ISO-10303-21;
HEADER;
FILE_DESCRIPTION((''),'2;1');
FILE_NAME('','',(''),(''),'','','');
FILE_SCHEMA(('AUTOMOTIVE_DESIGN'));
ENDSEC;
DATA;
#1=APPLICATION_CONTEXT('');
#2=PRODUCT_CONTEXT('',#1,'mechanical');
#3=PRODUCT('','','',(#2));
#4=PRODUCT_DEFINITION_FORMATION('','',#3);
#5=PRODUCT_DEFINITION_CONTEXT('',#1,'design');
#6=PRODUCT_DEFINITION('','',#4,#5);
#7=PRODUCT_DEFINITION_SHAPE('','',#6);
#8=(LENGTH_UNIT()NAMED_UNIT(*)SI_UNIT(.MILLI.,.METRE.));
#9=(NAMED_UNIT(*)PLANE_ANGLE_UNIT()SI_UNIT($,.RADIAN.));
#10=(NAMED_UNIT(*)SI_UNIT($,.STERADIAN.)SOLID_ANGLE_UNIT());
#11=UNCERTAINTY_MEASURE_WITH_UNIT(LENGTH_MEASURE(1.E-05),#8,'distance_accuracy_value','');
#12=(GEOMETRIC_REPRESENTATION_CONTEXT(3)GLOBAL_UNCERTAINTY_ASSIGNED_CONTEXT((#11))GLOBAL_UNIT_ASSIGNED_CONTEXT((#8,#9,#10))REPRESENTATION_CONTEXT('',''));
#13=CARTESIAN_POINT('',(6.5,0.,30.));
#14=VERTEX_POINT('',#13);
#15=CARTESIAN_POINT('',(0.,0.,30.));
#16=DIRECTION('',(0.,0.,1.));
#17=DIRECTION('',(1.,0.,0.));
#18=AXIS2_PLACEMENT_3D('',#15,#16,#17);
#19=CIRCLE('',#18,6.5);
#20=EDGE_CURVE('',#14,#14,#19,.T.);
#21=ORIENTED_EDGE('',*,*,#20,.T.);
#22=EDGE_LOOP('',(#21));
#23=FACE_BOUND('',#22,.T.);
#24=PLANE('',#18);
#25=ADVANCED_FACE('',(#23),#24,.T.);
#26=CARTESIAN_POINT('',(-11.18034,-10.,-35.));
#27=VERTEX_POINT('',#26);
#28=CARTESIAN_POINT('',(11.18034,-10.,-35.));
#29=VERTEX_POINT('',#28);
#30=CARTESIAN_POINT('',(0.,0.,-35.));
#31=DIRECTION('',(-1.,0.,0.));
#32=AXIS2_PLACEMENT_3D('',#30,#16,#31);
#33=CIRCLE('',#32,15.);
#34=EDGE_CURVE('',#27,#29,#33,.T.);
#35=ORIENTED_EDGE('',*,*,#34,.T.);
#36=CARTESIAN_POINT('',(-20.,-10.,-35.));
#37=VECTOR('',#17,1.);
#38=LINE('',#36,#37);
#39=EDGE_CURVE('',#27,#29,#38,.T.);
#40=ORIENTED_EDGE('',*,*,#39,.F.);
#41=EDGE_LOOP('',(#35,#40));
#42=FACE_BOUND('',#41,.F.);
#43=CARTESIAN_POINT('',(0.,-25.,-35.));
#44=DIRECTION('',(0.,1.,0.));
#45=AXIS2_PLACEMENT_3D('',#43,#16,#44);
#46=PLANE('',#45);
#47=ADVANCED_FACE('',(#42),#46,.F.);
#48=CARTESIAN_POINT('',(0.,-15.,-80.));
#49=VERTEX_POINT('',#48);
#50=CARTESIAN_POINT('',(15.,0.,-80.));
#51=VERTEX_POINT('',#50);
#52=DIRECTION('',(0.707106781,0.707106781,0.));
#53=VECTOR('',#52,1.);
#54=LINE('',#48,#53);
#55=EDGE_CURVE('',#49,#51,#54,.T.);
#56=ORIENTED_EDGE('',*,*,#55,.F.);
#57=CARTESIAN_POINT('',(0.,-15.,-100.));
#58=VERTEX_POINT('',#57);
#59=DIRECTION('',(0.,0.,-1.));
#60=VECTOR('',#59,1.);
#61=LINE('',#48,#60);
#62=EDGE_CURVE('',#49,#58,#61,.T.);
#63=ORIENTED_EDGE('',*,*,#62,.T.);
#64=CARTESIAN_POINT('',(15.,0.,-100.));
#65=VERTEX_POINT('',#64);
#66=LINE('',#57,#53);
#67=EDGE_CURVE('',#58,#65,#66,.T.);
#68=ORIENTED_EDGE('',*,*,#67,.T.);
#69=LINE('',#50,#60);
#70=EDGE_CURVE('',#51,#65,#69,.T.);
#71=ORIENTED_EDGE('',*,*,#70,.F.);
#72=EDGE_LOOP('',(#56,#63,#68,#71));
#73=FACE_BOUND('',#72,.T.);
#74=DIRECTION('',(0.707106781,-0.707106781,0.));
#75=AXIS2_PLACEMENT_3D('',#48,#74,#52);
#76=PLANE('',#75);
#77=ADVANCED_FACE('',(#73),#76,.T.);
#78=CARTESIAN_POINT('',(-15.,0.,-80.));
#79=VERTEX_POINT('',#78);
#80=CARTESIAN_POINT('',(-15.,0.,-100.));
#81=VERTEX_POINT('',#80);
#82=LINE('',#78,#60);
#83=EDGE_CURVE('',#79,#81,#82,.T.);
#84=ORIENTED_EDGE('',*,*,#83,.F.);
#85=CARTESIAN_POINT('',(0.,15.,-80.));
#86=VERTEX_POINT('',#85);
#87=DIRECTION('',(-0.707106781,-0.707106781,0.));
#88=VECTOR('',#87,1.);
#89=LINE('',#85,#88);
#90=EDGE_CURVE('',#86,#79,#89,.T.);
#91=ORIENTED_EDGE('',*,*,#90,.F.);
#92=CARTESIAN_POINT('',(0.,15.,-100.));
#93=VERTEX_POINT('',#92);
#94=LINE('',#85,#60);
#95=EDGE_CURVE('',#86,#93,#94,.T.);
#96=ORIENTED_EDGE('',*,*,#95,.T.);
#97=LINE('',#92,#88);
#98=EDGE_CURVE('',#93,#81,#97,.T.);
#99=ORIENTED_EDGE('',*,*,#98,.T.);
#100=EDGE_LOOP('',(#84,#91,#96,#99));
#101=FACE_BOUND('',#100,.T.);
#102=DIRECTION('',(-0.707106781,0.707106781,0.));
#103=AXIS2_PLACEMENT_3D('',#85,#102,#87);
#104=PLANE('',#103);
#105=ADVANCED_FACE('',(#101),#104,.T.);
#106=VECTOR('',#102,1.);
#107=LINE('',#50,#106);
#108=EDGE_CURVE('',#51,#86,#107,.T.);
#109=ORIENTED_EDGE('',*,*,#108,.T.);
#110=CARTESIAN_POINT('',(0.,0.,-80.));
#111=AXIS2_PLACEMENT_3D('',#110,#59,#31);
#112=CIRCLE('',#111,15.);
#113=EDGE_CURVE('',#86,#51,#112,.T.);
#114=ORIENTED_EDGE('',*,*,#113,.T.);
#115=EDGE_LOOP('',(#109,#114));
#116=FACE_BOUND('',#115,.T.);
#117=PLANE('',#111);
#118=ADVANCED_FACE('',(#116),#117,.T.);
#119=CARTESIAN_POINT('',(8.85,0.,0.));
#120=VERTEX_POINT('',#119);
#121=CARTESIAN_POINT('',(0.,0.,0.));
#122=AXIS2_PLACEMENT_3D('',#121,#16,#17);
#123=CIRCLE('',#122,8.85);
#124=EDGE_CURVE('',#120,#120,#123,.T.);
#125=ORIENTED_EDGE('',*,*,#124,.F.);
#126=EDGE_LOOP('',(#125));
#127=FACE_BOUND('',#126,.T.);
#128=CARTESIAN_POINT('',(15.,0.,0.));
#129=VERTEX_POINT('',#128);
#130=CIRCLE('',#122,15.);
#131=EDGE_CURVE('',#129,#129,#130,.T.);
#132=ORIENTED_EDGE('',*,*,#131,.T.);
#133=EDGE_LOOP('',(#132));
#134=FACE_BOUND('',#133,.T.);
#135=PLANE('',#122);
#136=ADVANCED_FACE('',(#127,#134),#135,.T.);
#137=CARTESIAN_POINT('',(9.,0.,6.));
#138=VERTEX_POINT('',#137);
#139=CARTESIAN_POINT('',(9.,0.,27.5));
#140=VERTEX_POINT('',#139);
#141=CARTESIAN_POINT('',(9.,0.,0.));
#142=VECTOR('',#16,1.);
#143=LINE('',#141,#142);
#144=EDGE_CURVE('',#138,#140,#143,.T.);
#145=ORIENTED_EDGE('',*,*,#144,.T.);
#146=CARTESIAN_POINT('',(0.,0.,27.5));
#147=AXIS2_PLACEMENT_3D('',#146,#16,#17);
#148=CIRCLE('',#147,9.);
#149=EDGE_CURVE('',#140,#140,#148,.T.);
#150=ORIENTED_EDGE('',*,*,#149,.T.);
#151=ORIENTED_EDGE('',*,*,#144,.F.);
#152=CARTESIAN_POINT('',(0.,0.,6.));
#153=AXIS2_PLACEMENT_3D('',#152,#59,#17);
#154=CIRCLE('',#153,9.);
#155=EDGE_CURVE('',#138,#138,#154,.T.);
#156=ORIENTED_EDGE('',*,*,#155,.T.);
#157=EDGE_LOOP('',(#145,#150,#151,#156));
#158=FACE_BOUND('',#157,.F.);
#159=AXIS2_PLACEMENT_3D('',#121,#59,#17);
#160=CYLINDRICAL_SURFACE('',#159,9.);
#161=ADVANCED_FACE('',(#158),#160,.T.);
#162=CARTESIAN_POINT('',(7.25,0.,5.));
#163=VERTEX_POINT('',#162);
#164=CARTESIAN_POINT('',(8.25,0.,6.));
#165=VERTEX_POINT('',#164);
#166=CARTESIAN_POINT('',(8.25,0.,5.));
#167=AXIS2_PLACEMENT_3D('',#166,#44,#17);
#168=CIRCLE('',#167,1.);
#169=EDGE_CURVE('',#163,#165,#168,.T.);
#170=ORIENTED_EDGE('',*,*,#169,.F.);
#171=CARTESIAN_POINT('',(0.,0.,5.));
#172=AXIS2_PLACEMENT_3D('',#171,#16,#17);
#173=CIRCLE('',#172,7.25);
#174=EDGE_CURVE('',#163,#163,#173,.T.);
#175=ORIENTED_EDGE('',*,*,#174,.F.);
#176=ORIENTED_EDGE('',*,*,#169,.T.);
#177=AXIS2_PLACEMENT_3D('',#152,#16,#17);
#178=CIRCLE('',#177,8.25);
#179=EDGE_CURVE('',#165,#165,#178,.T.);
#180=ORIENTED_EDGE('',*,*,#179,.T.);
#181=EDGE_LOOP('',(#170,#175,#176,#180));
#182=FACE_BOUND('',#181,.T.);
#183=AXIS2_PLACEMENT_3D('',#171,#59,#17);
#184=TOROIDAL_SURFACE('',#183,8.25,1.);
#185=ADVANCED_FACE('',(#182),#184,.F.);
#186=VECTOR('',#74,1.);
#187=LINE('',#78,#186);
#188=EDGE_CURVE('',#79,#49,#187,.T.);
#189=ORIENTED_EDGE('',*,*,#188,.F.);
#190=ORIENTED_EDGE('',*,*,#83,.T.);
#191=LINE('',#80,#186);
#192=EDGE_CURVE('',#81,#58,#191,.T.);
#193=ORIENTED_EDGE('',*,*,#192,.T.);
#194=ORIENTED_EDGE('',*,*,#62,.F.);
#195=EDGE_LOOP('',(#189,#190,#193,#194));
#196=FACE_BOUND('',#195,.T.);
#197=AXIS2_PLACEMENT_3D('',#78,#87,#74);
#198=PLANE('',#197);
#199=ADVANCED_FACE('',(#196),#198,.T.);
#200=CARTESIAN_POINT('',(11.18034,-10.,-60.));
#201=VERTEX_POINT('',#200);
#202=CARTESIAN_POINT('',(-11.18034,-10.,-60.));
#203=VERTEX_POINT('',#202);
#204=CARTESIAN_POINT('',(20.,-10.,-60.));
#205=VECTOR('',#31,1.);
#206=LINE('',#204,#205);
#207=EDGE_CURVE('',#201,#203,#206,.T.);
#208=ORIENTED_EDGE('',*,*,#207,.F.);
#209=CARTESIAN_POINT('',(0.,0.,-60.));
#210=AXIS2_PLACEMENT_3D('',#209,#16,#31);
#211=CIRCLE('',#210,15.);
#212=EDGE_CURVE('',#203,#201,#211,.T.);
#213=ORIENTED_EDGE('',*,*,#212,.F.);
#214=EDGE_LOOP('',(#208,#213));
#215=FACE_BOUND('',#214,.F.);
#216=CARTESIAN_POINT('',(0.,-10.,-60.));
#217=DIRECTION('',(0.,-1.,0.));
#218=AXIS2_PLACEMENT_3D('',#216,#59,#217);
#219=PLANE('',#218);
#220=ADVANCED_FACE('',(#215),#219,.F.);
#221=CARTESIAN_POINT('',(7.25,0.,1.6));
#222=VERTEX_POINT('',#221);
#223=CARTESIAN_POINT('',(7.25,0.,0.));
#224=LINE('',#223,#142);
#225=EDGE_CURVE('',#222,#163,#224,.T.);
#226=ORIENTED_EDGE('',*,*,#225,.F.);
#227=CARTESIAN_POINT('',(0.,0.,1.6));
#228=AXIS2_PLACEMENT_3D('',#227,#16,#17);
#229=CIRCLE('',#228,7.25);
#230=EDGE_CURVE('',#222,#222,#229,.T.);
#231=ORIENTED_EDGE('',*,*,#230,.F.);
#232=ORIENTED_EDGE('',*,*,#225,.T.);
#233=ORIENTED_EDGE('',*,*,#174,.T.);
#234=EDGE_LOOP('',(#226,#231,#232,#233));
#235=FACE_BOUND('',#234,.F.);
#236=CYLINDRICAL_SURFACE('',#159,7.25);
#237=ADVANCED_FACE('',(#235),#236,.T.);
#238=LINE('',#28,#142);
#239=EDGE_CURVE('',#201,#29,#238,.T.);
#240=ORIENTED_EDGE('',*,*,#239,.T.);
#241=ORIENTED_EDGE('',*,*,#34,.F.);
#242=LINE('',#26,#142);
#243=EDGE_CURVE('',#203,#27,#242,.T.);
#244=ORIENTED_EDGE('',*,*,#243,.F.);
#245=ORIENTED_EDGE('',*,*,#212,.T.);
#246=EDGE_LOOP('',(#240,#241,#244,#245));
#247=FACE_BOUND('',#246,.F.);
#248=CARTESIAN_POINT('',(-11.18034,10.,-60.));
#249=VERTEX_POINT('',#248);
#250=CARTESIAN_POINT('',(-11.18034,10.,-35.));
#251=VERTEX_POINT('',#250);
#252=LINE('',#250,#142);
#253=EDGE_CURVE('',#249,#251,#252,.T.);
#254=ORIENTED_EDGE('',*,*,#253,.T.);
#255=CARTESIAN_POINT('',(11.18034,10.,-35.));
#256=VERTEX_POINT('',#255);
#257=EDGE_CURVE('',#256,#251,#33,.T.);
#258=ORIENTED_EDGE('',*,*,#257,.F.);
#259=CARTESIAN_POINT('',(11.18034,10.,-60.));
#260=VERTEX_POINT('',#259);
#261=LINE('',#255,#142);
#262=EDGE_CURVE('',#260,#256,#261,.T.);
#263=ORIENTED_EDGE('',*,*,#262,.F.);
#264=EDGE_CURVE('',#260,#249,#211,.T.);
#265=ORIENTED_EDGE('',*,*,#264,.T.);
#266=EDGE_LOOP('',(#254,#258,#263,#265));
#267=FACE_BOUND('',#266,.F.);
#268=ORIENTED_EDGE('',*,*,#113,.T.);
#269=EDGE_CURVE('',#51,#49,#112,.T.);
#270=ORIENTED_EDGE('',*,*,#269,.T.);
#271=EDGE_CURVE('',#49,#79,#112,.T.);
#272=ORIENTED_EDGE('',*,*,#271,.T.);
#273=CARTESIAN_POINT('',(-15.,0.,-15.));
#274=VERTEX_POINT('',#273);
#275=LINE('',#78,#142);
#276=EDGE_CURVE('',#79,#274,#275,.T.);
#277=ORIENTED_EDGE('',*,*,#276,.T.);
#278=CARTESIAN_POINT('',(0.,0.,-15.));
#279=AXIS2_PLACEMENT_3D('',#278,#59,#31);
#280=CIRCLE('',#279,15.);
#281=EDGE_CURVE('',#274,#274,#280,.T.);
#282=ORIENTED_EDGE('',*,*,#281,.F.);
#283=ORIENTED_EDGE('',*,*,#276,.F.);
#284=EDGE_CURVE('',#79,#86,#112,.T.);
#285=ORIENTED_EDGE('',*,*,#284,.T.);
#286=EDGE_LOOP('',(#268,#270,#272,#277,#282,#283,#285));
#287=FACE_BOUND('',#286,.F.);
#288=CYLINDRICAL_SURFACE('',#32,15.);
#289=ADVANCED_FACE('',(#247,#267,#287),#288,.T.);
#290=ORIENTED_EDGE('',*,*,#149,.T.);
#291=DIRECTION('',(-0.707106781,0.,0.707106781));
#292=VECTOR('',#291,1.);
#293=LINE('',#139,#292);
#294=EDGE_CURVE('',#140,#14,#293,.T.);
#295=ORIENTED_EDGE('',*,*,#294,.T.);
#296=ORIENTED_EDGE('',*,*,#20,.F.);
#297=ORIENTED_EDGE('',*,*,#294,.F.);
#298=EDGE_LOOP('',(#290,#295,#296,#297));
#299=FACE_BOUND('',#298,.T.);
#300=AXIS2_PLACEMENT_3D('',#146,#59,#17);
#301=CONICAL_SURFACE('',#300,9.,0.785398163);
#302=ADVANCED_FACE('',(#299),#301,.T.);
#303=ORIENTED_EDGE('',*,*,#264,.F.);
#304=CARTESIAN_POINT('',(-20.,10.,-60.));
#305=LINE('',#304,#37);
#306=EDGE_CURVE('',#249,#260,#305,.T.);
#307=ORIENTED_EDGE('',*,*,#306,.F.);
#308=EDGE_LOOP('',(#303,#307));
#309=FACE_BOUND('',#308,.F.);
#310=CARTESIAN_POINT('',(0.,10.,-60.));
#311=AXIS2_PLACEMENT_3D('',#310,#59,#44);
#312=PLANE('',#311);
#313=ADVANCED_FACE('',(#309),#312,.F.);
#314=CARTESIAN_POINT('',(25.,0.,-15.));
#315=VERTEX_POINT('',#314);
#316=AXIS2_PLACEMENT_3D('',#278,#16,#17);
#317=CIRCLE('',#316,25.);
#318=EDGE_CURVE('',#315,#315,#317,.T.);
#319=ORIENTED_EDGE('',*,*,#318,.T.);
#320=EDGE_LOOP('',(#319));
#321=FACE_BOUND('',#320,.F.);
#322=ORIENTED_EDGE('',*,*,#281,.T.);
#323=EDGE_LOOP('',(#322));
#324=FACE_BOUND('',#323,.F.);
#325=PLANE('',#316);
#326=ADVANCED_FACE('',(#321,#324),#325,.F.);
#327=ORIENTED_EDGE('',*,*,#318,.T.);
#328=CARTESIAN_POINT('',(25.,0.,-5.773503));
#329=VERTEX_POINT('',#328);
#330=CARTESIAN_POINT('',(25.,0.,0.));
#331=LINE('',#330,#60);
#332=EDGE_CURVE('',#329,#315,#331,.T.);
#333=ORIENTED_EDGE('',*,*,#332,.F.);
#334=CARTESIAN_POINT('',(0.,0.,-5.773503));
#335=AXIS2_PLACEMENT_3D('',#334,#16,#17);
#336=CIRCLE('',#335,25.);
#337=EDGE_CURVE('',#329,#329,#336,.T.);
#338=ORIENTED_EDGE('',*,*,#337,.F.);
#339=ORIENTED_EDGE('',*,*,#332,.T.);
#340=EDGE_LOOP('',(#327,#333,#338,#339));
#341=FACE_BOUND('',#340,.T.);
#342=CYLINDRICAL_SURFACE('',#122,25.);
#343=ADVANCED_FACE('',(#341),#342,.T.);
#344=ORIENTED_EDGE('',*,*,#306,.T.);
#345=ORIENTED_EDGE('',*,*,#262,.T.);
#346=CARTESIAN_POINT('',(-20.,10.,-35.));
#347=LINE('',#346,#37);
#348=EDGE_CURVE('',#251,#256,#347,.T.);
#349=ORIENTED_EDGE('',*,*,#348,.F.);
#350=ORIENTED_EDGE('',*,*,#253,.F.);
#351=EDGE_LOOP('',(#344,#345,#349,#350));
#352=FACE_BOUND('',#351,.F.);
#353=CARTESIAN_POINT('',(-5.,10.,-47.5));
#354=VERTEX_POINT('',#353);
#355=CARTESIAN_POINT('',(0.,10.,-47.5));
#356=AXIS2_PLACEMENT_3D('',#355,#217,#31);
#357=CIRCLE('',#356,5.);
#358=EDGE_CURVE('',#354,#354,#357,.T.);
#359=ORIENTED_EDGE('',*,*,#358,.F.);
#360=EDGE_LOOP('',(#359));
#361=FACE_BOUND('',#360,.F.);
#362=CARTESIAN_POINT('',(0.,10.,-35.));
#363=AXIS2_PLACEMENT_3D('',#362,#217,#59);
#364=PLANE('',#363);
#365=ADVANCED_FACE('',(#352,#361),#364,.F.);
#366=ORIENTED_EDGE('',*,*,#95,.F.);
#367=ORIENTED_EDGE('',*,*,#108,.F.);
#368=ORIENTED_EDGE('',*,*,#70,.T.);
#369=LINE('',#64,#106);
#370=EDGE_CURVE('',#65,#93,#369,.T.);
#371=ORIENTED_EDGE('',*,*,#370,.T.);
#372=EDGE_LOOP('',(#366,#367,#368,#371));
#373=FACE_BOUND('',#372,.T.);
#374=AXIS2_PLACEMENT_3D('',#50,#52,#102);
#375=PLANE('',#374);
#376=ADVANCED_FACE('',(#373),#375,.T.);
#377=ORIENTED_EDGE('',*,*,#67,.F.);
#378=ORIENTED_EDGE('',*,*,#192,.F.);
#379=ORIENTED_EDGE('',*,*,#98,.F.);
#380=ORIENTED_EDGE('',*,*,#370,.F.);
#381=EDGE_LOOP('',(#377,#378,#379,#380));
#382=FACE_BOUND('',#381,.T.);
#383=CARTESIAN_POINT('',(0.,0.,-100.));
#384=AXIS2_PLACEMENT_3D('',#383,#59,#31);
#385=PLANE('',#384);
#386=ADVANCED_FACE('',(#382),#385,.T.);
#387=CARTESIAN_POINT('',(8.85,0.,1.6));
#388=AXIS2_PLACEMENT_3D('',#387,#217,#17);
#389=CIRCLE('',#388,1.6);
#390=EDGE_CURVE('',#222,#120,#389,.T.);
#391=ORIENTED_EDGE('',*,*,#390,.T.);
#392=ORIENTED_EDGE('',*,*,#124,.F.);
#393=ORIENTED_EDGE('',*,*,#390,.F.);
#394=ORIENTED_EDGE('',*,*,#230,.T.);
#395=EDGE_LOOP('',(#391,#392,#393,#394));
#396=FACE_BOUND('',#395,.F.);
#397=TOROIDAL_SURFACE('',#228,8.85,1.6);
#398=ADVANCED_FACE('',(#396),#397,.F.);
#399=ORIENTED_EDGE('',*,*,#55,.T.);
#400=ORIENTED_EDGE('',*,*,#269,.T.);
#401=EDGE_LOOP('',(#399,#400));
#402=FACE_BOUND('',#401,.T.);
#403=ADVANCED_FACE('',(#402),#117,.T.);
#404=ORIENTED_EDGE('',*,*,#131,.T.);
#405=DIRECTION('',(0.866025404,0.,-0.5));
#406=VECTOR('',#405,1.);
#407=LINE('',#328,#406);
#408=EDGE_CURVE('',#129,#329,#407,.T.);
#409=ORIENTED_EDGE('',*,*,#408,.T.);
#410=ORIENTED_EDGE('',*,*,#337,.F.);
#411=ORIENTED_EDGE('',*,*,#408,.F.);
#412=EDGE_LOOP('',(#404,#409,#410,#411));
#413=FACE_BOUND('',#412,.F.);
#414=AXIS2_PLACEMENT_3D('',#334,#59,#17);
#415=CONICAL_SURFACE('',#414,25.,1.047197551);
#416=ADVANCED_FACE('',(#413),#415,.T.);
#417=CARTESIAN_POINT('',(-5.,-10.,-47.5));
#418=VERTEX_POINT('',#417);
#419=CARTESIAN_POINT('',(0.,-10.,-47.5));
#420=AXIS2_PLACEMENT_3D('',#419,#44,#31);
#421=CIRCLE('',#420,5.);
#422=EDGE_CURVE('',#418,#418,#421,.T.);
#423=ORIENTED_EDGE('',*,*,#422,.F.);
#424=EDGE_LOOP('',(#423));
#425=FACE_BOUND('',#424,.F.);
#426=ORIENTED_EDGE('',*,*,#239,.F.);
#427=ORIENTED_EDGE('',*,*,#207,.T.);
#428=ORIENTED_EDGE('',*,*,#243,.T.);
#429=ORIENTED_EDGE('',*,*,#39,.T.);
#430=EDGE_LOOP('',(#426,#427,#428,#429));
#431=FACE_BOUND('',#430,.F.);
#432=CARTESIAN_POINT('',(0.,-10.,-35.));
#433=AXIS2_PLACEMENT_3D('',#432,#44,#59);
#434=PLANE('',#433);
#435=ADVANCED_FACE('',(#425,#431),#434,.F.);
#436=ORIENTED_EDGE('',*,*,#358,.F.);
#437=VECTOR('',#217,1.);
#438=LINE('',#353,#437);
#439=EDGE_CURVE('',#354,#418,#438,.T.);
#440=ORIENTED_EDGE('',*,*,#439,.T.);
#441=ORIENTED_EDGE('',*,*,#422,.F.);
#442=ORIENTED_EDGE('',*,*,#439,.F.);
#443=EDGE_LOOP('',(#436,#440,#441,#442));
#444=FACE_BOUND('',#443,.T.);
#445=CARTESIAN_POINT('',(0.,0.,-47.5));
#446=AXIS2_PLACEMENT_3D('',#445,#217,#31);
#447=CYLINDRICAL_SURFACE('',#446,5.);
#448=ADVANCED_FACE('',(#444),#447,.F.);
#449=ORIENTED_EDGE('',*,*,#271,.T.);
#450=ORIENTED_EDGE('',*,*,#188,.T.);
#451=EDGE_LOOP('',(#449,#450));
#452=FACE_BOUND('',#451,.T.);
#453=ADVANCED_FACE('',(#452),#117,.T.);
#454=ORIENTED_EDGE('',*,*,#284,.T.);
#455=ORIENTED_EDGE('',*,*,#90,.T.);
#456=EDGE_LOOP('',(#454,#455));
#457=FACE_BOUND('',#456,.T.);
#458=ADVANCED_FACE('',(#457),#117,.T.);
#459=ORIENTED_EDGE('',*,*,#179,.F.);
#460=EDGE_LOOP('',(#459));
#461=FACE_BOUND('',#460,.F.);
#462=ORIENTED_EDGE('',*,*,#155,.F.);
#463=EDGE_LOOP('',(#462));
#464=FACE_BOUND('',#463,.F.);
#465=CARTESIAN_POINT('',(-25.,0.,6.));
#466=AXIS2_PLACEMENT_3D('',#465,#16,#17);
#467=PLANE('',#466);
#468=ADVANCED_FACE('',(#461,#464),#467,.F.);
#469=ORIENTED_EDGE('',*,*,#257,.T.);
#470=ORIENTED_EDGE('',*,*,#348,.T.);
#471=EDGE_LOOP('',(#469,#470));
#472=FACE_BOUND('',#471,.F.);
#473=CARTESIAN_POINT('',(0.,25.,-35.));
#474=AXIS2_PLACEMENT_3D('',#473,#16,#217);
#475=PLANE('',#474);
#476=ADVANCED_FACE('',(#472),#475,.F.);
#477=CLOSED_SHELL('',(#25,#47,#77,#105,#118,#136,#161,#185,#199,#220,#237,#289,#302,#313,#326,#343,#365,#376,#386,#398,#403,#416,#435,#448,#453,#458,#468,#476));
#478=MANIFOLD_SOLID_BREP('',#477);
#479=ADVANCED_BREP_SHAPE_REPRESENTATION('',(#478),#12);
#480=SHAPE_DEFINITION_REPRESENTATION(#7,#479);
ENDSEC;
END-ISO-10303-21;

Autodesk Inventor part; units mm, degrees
sketch "Эскиз1" plane through (0, 0, 0) normal (0, 0, 1) x (1, 0, 0)
  circle A0 centre (0, 0) radius 9
sketch "Эскиз2" plane through (0, 0, 0) normal (0, 0, 1) x (1, 0, 0)
  point P0 (0, 0)
extrude "Выдавливание1" add sketch "Эскиз1" along normal blind 30
ref_plane "РабПлоскость1" through (0, 0, 0) normal (0, 0, 1) x (1, 0, 0)
sketch "Эскиз3" plane through (0, 0, 0) normal (0, 0, 1) x (1, 0, 0)
  circle A0 centre (0, 0) radius 25
extrude "Выдавливание2" add sketch "Эскиз3" against normal blind 15
ref_plane "РабПлоскость2" through (0, 0, -15) normal (0, 0, -1) x (-1, 0, 0)
sketch "Эскиз4" plane through (0, 0, -15) normal (0, 0, -1) x (-1, 0, 0)
  circle A0 centre (0, 0) radius 15
extrude "Выдавливание3" add sketch "Эскиз4" along normal blind 20
ref_plane "РабПлоскость3" through (0, 0, -35) normal (0, 0, -1) x (-1, 0, 0)
sketch "Эскиз5" plane through (0, 0, -35) normal (0, 0, -1) x (-1, 0, 0)
  circle A0 centre (0, 0) radius 15
extrude "Выдавливание4" add sketch "Эскиз5" along normal blind 25
ref_plane "РабПлоскость4" through (0, 0, -60) normal (0, 0, -1) x (-1, 0, 0)
sketch "Эскиз6" plane through (0, 0, -60) normal (0, 0, -1) x (-1, 0, 0)
  circle A0 centre (0, 0) radius 9 projected
  circle A1 centre (0, 0) radius 15
extrude "Выдавливание5" add sketch "Эскиз6" along normal blind 20 contours A0 | A1
ref_plane "РабПлоскость5" through (0, 0, -80) normal (0, 0, -1) x (-1, 0, 0)
sketch "Эскиз7" plane through (0, 0, -80) normal (0, 0, -1) x (-1, 0, 0)
  circle A0 centre (0, 0) radius 15 projected
  line L0 (0, 15) -> (15, 0)
  line L1 (15, 0) -> (0, -15)
  line L2 (0, -15) -> (-15, 0)
  line L3 (-15, 0) -> (0, 15)
extrude "Выдавливание6" add sketch "Эскиз7" along normal blind 20 contours L1 L2 L3 L0
sketch "Эскиз8" plane through (0, 0, 0) normal (1, 0, 0) x (0, 1, 0)
  line L0 (0, 0) -> (0, -35)
  line L1 (0, -35) -> (10, -35)
  line L2 (10, -35) -> (-10, -35)
  line L3 (-10, -35) -> (-10, -60)
  line L4 (-10, -60) -> (-25, -60)
  line L5 (-25, -60) -> (-25, -35)
  line L6 (-25, -35) -> (-10, -35)
  line L7 (10, -35) -> (10, -60)
  line L8 (10, -60) -> (25, -60)
  line L9 (25, -60) -> (25, -35)
  line L10 (25, -35) -> (10, -35)
  dimension "d22" = 35
  dimension "d23" = 10
  dimension "d24" = 20
  dimension "d25" = 25
  dimension "d26" = 15
  dimension "d27" = 15
extrude "Выдавливание7" cut sketch "Эскиз8" against normal mid plane 40 contours L10 L9 L8 L7
sketch "Эскиз9" plane through (0, 0, 0) normal (1, 0, 0) x (0, 1, 0)
  line L0 (0, 0) -> (0, -35)
  line L1 (0, -35) -> (-10, -35)
  line L2 (-10, -35) -> (-10, -60)
  line L3 (-10, -60) -> (-25, -60)
  line L4 (-25, -60) -> (-25, -35)
  line L5 (-25, -35) -> (-10, -35)
  dimension "d30" = 35
  dimension "d31" = 10
  dimension "d32" = 25
  dimension "d33" = 15
extrude "Выдавливание8" cut sketch "Эскиз9" along normal mid plane 40
sketch "Эскиз10" plane through (0, 0, 0) normal (1, 0, 0) x (0, 1, 0)
  point P0 (0, 0)
sketch "Эскиз11" plane through (0, 0, 0) normal (0, 1, 0) x (-1, 0, 0)
  line L0 (0, 0) -> (0, -47.5)
  circle A0 centre (0, -47.5) radius 5
  dimension "d36" = 47.5
  dimension "d37" = 10
extrude "Выдавливание9" cut sketch "Эскиз11" along normal mid plane 40
chamfer "Фаска1" distance 2.5 angle 45 1 edges at (-9, 0, 30)
chamfer "Фаска2" distance 10 angle 30 1 edges at (-25, 0, 0) measured on face at (19.3373, -2.7122, 0)
sketch "Эскиз12" plane through (0, 0, 0) normal (0, 1, 0) x (-1, 0, 0)
  line L0 (0, 0) -> (25, 0)
  line L1 (25, 0) -> (25, 4)
  line L2 (25, 4) -> (25, 6)
  line L3 (25, 6) -> (-25.3406, 6)
  line L4 (-25.3406, 6) -> (-25.3406, 0)
  line L5 (-25.3406, 0) -> (25, 0)
  dimension "d48" = 4
  dimension "d49" = 2
extrude "Выдавливание10" cut sketch "Эскиз12" against normal mid plane 40
sketch "Эскиз13" plane through (0, 0, 0) normal (0, 0, 1) x (1, 0, 0)
  circle A0 centre (0, 0) radius 7.25
  dimension "d52" = 14.5
extrude "Выдавливание11" add sketch "Эскиз13" along normal blind 6
fillet "Сопряжение1" radius 1 1 edges at (-7.25, 0, 6)
thread "Резьба2" size "M18x1.25" class "6g" standard "ANSI Metric M Profile" length 24
fillet "Сопряжение2" radius 1.6 1 edges at (-7.25, 0, 0)
